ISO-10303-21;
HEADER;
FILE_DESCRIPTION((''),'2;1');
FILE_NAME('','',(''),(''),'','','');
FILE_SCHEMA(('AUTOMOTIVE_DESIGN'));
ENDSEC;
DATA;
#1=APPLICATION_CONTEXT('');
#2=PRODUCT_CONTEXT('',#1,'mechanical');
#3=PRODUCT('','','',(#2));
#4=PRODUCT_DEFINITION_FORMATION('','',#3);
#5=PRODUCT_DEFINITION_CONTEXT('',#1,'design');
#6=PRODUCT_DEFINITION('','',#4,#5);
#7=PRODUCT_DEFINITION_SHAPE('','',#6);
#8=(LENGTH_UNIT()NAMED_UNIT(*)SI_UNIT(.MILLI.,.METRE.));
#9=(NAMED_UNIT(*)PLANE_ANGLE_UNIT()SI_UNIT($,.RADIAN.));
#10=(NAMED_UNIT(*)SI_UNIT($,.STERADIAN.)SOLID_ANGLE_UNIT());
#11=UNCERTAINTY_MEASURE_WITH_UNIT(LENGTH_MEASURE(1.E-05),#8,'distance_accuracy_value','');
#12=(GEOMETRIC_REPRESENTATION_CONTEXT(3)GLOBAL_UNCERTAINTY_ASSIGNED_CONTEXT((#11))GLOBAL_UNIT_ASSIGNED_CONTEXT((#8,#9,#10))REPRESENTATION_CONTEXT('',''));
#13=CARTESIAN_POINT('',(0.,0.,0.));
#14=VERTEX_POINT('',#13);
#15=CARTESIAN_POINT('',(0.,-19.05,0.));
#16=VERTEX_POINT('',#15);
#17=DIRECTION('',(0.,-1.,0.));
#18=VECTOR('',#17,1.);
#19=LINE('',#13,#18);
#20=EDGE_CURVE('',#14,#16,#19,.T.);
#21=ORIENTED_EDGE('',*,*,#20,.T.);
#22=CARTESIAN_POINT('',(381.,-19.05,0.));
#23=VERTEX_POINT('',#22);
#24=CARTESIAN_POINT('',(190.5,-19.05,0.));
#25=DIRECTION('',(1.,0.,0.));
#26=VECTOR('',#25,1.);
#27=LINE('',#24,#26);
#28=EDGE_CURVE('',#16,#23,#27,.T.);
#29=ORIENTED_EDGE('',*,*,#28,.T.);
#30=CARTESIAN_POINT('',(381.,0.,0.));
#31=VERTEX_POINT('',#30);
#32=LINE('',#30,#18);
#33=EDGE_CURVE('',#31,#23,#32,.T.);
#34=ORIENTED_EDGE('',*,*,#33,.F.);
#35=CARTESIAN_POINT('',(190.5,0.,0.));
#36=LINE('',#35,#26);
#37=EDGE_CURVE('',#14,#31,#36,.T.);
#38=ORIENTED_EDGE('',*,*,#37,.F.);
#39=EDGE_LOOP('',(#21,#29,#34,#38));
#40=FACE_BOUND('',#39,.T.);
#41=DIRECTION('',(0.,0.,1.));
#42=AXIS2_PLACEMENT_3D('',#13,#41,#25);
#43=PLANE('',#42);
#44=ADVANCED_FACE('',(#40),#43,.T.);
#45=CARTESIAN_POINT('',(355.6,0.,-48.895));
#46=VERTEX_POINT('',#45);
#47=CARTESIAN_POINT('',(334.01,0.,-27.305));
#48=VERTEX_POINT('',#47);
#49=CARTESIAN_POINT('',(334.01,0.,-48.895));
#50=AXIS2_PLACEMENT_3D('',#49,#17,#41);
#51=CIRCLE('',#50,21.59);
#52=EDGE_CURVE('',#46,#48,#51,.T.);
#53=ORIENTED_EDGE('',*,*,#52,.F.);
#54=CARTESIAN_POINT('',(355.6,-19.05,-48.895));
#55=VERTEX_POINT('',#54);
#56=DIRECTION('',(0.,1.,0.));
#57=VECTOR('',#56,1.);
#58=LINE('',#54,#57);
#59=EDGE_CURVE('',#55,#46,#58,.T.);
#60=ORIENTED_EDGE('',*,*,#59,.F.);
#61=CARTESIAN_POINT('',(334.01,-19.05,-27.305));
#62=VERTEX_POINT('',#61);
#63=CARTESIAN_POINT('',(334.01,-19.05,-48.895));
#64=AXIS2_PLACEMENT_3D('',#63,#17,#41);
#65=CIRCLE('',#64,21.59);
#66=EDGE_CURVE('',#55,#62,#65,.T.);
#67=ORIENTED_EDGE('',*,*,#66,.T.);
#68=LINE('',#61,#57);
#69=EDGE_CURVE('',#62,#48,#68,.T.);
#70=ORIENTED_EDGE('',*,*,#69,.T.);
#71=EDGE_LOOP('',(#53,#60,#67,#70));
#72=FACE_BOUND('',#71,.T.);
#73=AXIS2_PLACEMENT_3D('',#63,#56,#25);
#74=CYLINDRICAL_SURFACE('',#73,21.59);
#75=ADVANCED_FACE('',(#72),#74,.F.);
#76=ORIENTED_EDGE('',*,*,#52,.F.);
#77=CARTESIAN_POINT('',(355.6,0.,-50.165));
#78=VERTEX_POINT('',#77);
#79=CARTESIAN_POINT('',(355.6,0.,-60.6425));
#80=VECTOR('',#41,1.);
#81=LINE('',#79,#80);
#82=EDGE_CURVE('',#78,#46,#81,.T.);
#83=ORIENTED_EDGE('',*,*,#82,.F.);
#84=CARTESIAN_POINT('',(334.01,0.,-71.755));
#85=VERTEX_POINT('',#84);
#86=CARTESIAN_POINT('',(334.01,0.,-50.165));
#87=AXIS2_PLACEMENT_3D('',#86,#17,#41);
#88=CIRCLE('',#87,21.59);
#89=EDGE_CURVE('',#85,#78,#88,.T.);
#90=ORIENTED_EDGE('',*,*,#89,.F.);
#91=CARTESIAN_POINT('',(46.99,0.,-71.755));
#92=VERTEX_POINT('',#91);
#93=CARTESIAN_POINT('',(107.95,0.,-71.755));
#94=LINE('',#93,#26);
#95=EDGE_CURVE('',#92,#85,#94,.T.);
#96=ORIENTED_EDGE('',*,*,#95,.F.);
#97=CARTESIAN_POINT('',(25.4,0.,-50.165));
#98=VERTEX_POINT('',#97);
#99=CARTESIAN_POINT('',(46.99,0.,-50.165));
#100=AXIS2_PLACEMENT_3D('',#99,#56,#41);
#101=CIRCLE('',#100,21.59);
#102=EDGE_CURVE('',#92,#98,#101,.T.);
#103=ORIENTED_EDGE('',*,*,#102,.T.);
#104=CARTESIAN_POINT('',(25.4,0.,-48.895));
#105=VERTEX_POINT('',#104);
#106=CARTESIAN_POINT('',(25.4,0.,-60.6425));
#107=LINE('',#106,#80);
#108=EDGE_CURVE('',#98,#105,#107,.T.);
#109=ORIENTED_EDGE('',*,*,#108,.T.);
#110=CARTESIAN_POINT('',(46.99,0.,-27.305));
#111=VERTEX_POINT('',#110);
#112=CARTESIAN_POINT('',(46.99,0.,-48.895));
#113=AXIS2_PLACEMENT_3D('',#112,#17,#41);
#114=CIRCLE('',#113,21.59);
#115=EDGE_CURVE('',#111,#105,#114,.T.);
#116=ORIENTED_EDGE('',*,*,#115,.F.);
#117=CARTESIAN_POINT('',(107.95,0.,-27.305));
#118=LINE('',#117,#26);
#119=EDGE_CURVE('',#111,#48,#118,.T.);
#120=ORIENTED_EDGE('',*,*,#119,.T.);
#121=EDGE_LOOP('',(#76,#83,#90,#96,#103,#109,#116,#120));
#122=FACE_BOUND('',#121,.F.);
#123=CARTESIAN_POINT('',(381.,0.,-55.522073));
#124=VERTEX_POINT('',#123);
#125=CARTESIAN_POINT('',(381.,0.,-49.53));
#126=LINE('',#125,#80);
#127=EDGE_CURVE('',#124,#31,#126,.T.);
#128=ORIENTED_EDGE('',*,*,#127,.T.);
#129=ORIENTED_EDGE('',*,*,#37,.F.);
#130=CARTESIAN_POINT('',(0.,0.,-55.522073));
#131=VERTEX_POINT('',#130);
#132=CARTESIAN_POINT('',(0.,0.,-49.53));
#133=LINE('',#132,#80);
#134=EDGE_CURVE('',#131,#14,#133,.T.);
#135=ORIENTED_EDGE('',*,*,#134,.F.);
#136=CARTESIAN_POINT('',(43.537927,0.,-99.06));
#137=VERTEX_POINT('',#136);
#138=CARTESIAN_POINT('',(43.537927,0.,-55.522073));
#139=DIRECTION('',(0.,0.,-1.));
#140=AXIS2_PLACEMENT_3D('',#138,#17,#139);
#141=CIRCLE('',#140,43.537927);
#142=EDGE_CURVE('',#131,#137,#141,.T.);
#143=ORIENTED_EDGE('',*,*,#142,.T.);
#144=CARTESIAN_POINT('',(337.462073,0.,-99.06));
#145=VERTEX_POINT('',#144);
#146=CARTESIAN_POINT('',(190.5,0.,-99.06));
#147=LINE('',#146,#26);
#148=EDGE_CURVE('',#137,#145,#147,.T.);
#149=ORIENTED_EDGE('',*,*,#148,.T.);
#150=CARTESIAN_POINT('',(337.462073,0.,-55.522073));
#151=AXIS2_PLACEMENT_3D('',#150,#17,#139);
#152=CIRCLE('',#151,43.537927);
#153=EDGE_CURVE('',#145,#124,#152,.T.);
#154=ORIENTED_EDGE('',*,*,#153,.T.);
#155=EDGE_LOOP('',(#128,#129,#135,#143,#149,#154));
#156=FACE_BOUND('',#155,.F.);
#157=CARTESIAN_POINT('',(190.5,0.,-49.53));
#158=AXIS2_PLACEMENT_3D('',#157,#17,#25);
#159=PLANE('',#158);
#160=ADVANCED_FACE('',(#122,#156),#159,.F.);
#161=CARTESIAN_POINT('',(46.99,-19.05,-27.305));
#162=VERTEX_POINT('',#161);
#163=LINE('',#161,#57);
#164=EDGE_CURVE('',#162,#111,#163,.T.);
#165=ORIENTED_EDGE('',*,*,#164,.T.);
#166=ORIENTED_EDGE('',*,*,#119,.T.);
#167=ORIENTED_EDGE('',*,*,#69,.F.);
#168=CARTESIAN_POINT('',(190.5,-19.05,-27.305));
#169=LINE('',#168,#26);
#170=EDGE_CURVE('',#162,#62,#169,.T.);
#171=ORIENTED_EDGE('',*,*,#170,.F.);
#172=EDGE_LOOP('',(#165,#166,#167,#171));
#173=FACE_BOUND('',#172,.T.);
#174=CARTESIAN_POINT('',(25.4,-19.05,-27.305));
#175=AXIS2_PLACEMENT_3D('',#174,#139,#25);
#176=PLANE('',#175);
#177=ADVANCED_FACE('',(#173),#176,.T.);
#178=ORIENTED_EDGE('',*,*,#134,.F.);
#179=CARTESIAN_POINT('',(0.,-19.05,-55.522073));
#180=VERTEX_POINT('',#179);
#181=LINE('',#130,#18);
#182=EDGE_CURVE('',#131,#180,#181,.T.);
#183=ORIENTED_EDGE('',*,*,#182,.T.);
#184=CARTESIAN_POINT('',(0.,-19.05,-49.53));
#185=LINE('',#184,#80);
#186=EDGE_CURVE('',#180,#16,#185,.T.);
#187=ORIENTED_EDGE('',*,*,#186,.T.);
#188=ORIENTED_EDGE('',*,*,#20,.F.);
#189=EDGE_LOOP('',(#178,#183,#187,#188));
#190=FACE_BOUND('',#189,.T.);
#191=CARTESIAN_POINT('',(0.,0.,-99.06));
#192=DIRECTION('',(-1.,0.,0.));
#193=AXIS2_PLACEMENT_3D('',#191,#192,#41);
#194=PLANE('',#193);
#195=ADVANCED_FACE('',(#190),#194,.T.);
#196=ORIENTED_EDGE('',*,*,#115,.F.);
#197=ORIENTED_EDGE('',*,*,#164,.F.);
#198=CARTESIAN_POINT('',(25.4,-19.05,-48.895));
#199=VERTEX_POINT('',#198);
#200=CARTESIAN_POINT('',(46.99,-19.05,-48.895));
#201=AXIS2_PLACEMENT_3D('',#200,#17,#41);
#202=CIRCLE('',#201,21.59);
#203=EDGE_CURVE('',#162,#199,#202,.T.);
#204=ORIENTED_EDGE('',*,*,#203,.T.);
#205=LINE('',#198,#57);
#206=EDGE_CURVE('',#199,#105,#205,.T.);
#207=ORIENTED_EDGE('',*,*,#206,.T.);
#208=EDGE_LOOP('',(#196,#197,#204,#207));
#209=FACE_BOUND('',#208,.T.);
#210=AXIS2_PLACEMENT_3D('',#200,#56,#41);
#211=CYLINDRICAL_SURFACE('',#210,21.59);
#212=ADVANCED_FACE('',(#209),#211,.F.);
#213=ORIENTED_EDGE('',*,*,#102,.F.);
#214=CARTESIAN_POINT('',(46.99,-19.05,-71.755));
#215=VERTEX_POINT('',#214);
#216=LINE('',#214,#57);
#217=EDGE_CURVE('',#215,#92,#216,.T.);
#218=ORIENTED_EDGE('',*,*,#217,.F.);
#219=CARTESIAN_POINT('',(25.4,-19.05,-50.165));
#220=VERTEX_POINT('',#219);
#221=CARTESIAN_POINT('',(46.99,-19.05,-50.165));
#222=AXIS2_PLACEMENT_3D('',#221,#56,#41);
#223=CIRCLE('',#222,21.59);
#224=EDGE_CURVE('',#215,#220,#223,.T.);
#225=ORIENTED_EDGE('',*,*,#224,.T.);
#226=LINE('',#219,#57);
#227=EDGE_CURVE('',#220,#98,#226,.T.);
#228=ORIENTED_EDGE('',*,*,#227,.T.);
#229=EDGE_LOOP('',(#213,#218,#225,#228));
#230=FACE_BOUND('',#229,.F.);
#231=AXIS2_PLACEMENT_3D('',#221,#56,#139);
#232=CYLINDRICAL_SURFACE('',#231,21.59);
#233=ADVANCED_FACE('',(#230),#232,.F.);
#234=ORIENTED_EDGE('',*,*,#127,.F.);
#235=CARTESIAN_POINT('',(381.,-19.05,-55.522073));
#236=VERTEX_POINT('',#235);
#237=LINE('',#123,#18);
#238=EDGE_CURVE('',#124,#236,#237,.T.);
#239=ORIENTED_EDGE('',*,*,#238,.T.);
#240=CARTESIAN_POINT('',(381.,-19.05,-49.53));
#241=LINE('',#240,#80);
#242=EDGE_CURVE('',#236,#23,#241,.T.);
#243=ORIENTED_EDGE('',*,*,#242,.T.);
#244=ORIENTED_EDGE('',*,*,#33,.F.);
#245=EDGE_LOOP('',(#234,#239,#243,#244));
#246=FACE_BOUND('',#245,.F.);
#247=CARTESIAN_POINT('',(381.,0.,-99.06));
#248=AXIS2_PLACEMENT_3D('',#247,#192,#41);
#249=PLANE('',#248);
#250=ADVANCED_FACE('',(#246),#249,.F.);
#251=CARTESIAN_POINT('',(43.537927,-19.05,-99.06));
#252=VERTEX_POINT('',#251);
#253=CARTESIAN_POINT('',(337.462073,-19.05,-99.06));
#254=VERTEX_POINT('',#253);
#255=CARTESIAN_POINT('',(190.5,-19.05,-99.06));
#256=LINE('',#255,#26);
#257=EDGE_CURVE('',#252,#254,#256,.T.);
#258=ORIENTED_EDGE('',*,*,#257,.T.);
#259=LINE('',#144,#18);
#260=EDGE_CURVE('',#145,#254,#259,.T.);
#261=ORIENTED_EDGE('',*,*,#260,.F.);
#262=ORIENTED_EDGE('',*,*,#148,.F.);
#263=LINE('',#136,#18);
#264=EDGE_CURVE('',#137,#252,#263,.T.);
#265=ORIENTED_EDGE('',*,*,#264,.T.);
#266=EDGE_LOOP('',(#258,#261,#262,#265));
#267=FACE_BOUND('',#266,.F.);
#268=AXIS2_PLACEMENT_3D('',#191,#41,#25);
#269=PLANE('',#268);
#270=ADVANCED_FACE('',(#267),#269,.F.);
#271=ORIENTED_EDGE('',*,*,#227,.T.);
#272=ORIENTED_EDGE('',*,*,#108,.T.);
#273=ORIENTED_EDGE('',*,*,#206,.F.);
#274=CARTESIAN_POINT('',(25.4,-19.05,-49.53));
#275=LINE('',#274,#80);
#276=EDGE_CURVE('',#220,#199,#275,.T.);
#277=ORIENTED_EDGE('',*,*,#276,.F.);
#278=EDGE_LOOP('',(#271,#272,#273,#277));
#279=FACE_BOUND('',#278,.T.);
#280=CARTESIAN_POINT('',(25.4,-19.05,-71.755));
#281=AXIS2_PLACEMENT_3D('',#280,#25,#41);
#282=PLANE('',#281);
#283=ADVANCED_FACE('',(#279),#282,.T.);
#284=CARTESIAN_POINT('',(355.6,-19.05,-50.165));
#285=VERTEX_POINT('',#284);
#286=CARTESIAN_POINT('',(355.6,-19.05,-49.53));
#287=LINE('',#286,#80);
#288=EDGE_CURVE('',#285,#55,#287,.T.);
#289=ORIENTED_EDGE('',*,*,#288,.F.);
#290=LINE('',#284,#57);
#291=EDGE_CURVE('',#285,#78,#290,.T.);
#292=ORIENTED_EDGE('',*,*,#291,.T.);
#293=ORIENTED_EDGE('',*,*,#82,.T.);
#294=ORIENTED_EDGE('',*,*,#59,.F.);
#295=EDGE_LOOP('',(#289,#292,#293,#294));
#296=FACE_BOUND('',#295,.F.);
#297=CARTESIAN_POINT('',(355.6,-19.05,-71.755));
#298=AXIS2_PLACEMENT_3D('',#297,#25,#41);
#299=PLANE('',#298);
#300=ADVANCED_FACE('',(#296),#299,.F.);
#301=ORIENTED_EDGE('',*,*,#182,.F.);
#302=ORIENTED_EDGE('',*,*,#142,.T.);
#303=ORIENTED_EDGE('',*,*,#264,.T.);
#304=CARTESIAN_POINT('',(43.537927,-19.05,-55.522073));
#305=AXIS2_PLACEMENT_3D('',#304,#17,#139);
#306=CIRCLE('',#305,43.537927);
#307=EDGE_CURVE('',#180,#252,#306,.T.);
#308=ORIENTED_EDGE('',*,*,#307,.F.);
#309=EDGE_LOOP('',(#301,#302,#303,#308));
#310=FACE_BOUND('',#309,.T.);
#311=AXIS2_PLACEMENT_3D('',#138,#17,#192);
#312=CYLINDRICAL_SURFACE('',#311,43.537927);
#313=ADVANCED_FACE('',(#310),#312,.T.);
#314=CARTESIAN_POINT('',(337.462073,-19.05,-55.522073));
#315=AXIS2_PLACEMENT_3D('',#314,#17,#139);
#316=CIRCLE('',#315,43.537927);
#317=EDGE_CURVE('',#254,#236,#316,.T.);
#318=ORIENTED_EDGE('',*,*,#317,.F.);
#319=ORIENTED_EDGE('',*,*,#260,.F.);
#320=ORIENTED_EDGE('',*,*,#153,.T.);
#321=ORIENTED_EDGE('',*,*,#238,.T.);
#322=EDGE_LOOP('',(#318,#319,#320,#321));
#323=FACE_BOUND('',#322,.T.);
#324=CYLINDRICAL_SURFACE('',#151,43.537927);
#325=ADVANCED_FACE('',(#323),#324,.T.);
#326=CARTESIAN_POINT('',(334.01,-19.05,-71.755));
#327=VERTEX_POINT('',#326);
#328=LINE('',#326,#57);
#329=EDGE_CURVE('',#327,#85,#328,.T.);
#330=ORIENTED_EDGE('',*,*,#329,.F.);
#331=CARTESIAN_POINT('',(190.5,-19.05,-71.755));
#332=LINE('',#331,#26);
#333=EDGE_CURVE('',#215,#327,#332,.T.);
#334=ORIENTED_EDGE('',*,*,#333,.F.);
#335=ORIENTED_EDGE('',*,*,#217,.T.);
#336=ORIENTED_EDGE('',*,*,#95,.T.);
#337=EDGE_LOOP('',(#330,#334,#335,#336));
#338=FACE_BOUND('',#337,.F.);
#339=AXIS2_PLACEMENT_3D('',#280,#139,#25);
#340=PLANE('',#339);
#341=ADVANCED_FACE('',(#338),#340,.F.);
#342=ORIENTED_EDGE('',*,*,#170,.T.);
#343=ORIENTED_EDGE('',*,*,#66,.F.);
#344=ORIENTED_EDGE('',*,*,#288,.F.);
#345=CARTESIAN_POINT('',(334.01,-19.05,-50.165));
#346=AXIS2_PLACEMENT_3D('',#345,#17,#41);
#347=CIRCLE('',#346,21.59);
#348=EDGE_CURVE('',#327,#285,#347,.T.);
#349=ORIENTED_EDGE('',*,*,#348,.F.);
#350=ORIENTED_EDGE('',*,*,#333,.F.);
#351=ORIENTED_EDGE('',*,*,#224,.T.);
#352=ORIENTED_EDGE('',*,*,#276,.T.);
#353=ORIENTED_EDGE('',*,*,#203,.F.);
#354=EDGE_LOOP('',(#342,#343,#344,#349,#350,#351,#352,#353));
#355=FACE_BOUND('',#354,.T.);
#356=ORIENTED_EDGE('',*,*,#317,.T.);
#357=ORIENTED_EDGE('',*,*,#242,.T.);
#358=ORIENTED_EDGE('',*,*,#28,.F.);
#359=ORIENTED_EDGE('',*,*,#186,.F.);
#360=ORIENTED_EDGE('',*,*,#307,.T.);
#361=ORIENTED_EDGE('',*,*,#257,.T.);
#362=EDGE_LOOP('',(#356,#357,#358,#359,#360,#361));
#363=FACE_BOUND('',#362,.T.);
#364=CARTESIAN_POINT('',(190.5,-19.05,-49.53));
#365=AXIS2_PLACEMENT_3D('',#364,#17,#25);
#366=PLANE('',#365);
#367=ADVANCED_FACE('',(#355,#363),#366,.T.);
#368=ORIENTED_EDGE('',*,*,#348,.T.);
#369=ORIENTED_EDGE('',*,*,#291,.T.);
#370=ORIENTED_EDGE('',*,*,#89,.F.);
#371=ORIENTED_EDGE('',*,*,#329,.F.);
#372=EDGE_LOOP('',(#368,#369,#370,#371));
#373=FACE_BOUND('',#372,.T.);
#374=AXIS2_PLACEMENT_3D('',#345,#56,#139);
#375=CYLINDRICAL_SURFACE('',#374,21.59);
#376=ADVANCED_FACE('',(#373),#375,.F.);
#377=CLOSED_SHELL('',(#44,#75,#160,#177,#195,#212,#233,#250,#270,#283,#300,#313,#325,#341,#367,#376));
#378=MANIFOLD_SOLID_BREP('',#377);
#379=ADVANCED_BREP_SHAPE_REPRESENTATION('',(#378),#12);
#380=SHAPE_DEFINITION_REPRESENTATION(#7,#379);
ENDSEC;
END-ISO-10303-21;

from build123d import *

# Parameters (mm, degrees)
F0_W     = 381
F0_H     = 99.06
F1_DEPTH = 19.05
F2_R     = 43.537927
F3_W     = 330.2
F3_H     = 44.45
F4_DEPTH = 19.051
F5_R     = 21.59


with BuildPart() as f1:
    # F0 (on Front) → F1 (new body)
    with BuildSketch(Plane.XZ):
        with Locations((190.5, -49.53)):
            Rectangle(F0_W, F0_H)
    extrude(amount=F1_DEPTH)

    # F2
    f2_edges = [f1.edges().sort_by_distance(p)[0] for p in [
        (0, -9.525, -99.06),
        (381, -9.525, -99.06),
    ]]
    fillet(f2_edges, radius=F2_R)

    # F3 (on face) → F4 (cut, through all)
    with BuildSketch(Plane.XZ.offset(19.05)):
        with Locations((190.5, -49.53)):
            Rectangle(F3_W, F3_H)
    extrude(amount=-F4_DEPTH, mode=Mode.SUBTRACT)

    # F5
    f5_edges = [f1.edges().sort_by_distance(p)[0] for p in [
        (25.4, -9.525, -71.755),
        (25.4, -9.525, -27.305),
        (355.6, -9.525, -27.305),
        (355.6, -9.525, -71.755),
    ]]
    fillet(f5_edges, radius=F5_R)


solid = f1.part
